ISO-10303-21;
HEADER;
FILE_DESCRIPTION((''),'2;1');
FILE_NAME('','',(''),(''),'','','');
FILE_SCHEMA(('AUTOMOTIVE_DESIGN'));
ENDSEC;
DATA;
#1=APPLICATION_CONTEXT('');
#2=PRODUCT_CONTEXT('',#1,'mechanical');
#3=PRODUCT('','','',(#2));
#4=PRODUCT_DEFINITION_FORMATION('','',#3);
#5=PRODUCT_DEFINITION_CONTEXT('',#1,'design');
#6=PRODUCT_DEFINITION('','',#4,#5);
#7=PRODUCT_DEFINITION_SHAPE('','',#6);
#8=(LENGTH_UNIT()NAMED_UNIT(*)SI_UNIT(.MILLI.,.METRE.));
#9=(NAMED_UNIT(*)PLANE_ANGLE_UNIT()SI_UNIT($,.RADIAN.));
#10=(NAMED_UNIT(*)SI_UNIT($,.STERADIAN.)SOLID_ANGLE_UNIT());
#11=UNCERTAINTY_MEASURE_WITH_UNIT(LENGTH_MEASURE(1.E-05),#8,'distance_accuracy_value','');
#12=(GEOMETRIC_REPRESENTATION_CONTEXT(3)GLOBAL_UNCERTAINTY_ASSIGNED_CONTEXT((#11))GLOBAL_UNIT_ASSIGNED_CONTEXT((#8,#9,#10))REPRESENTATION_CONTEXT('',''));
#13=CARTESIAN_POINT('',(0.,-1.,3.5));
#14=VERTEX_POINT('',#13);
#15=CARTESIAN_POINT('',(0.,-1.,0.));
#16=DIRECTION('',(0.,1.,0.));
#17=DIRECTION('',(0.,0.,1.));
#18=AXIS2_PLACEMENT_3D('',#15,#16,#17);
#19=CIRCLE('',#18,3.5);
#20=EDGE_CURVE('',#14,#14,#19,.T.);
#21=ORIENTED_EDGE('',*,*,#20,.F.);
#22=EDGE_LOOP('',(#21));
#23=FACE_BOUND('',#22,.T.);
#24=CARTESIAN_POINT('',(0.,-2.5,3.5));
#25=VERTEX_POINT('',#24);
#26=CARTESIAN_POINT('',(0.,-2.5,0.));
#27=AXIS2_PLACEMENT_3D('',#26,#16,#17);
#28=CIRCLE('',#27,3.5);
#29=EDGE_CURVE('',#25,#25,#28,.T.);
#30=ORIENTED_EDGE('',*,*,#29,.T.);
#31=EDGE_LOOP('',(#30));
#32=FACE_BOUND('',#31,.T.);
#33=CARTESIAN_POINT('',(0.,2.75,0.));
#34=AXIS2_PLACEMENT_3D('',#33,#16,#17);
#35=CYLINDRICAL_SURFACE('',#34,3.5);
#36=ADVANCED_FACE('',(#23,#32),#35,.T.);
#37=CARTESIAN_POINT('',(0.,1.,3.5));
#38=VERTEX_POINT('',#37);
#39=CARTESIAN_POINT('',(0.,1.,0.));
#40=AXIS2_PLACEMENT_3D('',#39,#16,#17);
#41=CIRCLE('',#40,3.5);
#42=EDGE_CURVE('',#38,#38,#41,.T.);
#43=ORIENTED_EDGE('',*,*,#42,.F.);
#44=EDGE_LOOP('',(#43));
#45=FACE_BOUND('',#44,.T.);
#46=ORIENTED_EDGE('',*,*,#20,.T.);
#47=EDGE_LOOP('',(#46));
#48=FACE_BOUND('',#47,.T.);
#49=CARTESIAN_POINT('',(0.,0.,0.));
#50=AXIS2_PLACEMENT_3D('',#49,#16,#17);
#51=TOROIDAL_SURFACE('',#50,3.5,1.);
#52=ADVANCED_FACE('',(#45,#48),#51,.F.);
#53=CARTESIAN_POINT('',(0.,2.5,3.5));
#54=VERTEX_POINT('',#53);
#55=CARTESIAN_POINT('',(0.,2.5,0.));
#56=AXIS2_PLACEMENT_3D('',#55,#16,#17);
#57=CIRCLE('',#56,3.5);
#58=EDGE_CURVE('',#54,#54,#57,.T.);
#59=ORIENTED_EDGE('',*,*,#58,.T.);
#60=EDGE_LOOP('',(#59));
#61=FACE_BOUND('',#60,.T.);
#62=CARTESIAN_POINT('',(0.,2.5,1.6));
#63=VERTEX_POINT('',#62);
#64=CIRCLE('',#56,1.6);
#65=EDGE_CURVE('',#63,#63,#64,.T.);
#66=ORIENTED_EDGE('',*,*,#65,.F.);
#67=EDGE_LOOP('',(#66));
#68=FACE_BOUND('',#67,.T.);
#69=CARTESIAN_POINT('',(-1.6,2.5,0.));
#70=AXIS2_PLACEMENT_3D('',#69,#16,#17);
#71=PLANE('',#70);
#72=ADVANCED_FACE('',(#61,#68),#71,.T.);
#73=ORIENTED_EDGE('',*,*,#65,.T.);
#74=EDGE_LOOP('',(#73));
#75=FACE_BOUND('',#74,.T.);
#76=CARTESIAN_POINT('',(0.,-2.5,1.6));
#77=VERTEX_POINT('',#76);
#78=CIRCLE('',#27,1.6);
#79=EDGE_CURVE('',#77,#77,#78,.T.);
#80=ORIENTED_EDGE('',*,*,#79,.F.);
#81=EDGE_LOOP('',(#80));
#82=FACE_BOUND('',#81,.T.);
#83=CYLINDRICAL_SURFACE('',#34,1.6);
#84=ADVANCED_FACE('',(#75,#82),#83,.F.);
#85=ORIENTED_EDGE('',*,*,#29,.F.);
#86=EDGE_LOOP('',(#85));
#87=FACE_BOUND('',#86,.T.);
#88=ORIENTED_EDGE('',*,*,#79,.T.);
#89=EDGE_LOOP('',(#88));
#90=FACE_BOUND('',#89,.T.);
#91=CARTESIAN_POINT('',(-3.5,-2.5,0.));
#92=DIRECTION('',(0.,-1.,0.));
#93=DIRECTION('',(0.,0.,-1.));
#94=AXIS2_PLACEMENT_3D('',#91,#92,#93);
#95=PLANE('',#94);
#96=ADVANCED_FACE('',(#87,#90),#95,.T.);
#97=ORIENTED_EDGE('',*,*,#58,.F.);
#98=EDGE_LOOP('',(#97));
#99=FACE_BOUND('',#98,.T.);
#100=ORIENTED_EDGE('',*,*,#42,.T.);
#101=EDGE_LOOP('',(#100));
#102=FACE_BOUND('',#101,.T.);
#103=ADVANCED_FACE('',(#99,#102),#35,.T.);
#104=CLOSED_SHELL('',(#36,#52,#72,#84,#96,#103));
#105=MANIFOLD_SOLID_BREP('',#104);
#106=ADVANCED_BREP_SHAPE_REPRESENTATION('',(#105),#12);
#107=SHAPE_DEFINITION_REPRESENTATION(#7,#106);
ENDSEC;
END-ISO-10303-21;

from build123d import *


with BuildPart() as part:
    # Sketch1 → Revolve1 (revolve)
    with BuildSketch(Plane.XY, mode=Mode.PRIVATE) as revolve1_sk:
        with BuildLine():
            Line((-1.6, 2.5), (-3.5, 2.5))
            Line((-3.5, 2.5), (-3.5, 1))
            ThreePointArc((-3.5, 1), (-2.5, 0), (-3.5, -1))
            Line((-3.5, -1), (-3.5, -2.5))
            Line((-3.5, -2.5), (-1.6, -2.5))
            Line((-1.6, -2.5), (-1.6, 2.5))
        make_face()
    revolve(revolve1_sk.sketch.rotate(Axis((0, 2.75, 0), (0, -1, 0)), 270), axis=Axis((0, 2.75, 0), (0, -1, 0)))


solid = part.part
